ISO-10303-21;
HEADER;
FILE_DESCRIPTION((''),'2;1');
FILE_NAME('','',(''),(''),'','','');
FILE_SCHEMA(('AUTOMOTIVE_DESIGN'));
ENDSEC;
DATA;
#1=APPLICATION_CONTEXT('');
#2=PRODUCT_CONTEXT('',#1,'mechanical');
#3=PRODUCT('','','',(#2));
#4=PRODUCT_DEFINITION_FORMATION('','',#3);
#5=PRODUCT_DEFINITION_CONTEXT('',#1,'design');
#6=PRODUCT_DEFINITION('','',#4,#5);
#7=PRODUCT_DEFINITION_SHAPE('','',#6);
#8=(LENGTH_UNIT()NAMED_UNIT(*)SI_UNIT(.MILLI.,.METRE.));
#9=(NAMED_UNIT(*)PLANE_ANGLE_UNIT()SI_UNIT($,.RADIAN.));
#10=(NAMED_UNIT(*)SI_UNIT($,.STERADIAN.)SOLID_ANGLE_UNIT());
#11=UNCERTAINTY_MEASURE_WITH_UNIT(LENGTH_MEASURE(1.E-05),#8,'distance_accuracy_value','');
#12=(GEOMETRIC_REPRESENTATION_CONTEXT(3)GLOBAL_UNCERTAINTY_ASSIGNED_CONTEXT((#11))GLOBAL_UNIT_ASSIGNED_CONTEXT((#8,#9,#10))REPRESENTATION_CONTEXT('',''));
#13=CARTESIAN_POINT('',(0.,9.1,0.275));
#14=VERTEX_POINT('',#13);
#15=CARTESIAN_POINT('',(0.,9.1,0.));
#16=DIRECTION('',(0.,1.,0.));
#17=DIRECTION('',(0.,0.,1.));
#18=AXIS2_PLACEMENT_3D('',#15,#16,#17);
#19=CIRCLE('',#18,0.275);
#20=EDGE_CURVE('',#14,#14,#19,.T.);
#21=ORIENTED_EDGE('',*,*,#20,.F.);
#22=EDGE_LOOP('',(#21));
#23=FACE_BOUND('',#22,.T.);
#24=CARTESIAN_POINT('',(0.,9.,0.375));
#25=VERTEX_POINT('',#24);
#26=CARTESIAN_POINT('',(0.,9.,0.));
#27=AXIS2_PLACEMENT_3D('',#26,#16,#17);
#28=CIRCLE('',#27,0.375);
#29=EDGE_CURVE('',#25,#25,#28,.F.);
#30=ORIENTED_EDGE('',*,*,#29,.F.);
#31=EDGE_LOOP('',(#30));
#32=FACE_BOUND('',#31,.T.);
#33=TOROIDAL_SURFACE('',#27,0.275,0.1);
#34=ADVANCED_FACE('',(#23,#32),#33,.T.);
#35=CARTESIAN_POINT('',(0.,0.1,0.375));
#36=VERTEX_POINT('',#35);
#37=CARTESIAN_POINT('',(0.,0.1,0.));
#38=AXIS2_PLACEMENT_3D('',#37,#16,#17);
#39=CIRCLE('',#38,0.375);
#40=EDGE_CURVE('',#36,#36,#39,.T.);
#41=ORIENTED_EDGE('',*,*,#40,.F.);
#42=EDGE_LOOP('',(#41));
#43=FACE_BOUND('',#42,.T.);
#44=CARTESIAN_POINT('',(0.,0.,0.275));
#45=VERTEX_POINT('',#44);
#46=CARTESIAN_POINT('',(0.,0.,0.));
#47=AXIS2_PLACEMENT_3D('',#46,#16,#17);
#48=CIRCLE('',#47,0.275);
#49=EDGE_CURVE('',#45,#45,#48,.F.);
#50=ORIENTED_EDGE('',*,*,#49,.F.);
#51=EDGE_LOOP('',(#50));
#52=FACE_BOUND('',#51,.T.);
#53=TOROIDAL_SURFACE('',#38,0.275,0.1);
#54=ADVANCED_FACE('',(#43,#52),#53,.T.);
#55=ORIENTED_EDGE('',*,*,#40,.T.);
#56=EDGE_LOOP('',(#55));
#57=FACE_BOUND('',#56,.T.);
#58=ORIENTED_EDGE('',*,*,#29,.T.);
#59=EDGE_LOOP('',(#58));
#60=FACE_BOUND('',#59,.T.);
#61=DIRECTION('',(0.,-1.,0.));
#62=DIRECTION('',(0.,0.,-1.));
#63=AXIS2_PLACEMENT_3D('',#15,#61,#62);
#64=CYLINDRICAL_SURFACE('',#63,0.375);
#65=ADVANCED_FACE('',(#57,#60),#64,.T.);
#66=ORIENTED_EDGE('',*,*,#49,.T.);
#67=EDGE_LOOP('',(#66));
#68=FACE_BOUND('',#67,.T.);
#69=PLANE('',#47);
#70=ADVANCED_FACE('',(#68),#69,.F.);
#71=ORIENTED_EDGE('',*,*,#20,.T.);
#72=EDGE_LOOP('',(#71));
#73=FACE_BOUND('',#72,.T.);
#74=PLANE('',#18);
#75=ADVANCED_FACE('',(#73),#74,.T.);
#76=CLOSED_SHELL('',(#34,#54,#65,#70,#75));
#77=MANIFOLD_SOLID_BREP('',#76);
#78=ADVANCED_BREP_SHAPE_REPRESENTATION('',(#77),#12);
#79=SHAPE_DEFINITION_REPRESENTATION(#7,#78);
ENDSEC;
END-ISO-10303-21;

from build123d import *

# Parameters (mm, degrees)
SKETCH_1_R      = 0.375
EXTRUDE_1_DEPTH = 9.1
FILLET_1_R      = 0.1


with BuildPart() as part:
    # Эскиз1 → Бобышка-Вытянуть1 (new body)
    with BuildSketch(Plane(origin=(0, 0, 0), x_dir=(1, 0, 0), z_dir=(0, 1, 0))):
        with Locations(Location((0, 0, 0), (0, 0, 270))):
            Circle(SKETCH_1_R)
    extrude(amount=EXTRUDE_1_DEPTH)

    # Скругление1
    fillet_1_edges = [part.edges().sort_by_distance(p)[0] for p in [
        (0, 0, -0.375),
        (0, 9.1, -0.375),
    ]]
    fillet(fillet_1_edges, radius=FILLET_1_R)


solid = part.part
